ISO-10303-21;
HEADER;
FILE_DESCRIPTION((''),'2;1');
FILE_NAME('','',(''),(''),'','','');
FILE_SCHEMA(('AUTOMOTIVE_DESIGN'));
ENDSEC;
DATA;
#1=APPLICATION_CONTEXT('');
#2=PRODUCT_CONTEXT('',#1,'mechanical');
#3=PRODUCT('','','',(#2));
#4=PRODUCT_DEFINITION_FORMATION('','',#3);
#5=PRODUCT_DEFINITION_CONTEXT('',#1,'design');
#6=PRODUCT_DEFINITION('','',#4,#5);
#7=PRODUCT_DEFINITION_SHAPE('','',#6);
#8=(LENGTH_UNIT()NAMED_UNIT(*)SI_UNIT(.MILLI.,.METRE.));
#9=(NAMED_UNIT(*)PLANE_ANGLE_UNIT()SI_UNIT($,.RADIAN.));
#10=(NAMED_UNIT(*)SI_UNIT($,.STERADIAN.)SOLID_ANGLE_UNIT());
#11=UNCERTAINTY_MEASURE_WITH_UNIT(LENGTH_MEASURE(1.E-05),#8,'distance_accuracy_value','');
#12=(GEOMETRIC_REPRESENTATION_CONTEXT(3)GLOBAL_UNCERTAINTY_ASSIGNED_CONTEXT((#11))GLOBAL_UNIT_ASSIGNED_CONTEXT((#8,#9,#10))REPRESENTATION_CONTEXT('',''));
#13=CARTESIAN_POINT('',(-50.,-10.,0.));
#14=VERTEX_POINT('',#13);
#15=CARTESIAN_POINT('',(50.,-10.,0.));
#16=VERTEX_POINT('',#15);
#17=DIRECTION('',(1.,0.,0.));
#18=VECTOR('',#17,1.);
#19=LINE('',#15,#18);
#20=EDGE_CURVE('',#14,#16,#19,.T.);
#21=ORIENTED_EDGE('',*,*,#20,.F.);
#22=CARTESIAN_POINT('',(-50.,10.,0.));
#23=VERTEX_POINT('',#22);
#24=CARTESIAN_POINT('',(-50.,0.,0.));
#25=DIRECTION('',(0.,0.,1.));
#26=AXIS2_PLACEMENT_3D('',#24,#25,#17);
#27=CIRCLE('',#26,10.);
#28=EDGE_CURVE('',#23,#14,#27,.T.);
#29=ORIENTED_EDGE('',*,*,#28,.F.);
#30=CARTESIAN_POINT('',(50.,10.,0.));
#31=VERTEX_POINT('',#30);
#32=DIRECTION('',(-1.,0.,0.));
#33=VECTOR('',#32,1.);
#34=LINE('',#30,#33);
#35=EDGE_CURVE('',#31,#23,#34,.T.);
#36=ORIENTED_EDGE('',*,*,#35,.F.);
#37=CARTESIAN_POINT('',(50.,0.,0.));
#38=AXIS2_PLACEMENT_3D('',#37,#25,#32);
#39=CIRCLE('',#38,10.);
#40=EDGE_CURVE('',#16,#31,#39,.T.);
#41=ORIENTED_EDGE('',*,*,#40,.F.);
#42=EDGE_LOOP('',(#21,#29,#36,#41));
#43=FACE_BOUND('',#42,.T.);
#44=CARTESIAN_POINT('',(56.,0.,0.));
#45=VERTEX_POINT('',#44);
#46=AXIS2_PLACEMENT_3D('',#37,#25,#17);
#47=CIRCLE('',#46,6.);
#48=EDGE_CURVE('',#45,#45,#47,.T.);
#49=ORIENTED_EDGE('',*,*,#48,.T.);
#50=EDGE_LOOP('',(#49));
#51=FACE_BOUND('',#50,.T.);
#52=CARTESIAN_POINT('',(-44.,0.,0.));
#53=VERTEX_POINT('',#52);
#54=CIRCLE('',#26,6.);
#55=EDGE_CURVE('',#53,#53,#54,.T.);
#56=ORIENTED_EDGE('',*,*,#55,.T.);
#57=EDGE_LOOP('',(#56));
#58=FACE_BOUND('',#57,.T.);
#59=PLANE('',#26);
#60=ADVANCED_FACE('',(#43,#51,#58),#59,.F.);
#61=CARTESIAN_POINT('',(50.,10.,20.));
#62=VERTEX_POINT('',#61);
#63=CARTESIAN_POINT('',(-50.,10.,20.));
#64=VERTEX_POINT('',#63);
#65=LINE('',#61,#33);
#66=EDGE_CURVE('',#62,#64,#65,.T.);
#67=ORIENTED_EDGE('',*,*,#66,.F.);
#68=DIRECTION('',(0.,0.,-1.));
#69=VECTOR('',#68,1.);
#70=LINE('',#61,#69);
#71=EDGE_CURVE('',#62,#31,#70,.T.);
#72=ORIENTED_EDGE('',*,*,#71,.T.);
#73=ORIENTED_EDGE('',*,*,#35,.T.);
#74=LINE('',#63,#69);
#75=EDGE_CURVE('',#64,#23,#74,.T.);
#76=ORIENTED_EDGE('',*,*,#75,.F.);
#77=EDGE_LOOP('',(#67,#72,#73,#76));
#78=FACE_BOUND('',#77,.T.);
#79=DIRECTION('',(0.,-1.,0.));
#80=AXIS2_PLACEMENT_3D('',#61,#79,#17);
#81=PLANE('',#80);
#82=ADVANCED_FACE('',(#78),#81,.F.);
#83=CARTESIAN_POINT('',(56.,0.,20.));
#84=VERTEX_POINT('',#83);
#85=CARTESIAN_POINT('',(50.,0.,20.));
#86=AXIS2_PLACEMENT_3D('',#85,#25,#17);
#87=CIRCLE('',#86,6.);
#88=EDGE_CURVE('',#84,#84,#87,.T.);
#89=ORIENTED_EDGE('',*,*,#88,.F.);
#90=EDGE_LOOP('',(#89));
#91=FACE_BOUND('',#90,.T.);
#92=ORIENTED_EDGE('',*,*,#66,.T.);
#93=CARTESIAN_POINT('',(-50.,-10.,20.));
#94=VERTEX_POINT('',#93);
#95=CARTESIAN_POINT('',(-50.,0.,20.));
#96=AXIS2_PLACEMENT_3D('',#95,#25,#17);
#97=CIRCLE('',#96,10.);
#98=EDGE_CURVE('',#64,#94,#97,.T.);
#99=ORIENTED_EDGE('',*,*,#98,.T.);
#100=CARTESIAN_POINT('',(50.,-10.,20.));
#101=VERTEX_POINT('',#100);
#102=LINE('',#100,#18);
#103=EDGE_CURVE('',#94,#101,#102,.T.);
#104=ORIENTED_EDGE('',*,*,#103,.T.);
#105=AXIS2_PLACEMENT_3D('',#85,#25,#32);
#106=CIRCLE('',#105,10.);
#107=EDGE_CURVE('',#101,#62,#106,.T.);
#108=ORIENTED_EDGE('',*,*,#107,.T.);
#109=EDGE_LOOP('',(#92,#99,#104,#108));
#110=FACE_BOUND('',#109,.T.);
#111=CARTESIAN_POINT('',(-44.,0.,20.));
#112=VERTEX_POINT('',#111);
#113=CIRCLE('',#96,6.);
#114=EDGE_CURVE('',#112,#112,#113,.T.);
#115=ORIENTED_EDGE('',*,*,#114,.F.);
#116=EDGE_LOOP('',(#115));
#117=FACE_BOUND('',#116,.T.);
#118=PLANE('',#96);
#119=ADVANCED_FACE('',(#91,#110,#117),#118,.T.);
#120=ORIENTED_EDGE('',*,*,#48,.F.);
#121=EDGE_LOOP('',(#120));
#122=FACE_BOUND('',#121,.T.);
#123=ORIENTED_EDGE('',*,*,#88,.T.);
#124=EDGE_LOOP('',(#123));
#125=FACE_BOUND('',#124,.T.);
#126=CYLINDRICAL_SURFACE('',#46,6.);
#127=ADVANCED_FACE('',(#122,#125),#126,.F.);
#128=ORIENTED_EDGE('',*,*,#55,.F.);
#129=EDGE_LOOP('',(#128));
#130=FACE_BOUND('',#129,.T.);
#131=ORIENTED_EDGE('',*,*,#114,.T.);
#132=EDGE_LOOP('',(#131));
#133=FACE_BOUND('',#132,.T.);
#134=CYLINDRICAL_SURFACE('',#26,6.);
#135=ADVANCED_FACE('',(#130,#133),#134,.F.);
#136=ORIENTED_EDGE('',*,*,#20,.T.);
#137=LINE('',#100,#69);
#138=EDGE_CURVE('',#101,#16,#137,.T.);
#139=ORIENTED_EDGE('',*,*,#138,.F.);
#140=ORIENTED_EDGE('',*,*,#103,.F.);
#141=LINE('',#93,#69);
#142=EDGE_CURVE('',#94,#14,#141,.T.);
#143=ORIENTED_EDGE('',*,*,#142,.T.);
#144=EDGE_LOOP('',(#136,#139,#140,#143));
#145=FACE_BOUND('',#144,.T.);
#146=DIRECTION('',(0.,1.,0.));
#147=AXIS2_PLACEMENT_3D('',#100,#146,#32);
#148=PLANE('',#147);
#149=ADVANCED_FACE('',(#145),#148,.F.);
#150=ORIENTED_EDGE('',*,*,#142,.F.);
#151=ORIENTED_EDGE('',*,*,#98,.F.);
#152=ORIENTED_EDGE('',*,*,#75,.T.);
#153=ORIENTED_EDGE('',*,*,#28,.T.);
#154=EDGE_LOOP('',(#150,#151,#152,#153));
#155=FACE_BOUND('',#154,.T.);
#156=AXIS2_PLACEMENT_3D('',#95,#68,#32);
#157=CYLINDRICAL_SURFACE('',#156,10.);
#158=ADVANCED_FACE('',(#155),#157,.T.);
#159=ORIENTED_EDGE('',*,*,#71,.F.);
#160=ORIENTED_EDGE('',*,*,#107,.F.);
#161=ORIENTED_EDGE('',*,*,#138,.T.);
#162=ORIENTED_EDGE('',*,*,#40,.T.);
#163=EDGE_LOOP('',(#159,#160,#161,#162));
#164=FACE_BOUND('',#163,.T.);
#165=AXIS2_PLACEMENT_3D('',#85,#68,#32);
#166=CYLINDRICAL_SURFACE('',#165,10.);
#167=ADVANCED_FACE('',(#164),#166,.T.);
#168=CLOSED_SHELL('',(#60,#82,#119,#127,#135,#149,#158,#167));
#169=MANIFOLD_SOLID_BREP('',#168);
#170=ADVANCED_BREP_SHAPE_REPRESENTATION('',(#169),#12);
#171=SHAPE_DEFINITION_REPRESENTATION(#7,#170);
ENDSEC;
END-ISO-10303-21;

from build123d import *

# Parameters (mm, degrees)
BOSS_EXTRUDE1_DEPTH = 20
SKETCH2_R           = 6
CUT_EXTRUDE1_DEPTH  = 65.031242374


with BuildPart() as part:
    # Sketch1 → Boss-Extrude1 (new body)
    with BuildSketch(Plane.XY):
        with BuildLine():
            Line((50, -10), (-50, -10))
            ThreePointArc((-50, -10), (-60, 0), (-50, 10))
            Line((-50, 10), (50, 10))
            ThreePointArc((50, 10), (60, 0), (50, -10))
        make_face()
    extrude(amount=BOSS_EXTRUDE1_DEPTH)

    # Sketch2 → Cut-Extrude1 (cut, through all)
    with BuildSketch(Plane.XY.offset(20)):
        with Locations((-50, 0)):
            Circle(SKETCH2_R)
        with Locations((50, 0)):
            Circle(SKETCH2_R)
    extrude(amount=-CUT_EXTRUDE1_DEPTH, mode=Mode.SUBTRACT)


solid = part.part
